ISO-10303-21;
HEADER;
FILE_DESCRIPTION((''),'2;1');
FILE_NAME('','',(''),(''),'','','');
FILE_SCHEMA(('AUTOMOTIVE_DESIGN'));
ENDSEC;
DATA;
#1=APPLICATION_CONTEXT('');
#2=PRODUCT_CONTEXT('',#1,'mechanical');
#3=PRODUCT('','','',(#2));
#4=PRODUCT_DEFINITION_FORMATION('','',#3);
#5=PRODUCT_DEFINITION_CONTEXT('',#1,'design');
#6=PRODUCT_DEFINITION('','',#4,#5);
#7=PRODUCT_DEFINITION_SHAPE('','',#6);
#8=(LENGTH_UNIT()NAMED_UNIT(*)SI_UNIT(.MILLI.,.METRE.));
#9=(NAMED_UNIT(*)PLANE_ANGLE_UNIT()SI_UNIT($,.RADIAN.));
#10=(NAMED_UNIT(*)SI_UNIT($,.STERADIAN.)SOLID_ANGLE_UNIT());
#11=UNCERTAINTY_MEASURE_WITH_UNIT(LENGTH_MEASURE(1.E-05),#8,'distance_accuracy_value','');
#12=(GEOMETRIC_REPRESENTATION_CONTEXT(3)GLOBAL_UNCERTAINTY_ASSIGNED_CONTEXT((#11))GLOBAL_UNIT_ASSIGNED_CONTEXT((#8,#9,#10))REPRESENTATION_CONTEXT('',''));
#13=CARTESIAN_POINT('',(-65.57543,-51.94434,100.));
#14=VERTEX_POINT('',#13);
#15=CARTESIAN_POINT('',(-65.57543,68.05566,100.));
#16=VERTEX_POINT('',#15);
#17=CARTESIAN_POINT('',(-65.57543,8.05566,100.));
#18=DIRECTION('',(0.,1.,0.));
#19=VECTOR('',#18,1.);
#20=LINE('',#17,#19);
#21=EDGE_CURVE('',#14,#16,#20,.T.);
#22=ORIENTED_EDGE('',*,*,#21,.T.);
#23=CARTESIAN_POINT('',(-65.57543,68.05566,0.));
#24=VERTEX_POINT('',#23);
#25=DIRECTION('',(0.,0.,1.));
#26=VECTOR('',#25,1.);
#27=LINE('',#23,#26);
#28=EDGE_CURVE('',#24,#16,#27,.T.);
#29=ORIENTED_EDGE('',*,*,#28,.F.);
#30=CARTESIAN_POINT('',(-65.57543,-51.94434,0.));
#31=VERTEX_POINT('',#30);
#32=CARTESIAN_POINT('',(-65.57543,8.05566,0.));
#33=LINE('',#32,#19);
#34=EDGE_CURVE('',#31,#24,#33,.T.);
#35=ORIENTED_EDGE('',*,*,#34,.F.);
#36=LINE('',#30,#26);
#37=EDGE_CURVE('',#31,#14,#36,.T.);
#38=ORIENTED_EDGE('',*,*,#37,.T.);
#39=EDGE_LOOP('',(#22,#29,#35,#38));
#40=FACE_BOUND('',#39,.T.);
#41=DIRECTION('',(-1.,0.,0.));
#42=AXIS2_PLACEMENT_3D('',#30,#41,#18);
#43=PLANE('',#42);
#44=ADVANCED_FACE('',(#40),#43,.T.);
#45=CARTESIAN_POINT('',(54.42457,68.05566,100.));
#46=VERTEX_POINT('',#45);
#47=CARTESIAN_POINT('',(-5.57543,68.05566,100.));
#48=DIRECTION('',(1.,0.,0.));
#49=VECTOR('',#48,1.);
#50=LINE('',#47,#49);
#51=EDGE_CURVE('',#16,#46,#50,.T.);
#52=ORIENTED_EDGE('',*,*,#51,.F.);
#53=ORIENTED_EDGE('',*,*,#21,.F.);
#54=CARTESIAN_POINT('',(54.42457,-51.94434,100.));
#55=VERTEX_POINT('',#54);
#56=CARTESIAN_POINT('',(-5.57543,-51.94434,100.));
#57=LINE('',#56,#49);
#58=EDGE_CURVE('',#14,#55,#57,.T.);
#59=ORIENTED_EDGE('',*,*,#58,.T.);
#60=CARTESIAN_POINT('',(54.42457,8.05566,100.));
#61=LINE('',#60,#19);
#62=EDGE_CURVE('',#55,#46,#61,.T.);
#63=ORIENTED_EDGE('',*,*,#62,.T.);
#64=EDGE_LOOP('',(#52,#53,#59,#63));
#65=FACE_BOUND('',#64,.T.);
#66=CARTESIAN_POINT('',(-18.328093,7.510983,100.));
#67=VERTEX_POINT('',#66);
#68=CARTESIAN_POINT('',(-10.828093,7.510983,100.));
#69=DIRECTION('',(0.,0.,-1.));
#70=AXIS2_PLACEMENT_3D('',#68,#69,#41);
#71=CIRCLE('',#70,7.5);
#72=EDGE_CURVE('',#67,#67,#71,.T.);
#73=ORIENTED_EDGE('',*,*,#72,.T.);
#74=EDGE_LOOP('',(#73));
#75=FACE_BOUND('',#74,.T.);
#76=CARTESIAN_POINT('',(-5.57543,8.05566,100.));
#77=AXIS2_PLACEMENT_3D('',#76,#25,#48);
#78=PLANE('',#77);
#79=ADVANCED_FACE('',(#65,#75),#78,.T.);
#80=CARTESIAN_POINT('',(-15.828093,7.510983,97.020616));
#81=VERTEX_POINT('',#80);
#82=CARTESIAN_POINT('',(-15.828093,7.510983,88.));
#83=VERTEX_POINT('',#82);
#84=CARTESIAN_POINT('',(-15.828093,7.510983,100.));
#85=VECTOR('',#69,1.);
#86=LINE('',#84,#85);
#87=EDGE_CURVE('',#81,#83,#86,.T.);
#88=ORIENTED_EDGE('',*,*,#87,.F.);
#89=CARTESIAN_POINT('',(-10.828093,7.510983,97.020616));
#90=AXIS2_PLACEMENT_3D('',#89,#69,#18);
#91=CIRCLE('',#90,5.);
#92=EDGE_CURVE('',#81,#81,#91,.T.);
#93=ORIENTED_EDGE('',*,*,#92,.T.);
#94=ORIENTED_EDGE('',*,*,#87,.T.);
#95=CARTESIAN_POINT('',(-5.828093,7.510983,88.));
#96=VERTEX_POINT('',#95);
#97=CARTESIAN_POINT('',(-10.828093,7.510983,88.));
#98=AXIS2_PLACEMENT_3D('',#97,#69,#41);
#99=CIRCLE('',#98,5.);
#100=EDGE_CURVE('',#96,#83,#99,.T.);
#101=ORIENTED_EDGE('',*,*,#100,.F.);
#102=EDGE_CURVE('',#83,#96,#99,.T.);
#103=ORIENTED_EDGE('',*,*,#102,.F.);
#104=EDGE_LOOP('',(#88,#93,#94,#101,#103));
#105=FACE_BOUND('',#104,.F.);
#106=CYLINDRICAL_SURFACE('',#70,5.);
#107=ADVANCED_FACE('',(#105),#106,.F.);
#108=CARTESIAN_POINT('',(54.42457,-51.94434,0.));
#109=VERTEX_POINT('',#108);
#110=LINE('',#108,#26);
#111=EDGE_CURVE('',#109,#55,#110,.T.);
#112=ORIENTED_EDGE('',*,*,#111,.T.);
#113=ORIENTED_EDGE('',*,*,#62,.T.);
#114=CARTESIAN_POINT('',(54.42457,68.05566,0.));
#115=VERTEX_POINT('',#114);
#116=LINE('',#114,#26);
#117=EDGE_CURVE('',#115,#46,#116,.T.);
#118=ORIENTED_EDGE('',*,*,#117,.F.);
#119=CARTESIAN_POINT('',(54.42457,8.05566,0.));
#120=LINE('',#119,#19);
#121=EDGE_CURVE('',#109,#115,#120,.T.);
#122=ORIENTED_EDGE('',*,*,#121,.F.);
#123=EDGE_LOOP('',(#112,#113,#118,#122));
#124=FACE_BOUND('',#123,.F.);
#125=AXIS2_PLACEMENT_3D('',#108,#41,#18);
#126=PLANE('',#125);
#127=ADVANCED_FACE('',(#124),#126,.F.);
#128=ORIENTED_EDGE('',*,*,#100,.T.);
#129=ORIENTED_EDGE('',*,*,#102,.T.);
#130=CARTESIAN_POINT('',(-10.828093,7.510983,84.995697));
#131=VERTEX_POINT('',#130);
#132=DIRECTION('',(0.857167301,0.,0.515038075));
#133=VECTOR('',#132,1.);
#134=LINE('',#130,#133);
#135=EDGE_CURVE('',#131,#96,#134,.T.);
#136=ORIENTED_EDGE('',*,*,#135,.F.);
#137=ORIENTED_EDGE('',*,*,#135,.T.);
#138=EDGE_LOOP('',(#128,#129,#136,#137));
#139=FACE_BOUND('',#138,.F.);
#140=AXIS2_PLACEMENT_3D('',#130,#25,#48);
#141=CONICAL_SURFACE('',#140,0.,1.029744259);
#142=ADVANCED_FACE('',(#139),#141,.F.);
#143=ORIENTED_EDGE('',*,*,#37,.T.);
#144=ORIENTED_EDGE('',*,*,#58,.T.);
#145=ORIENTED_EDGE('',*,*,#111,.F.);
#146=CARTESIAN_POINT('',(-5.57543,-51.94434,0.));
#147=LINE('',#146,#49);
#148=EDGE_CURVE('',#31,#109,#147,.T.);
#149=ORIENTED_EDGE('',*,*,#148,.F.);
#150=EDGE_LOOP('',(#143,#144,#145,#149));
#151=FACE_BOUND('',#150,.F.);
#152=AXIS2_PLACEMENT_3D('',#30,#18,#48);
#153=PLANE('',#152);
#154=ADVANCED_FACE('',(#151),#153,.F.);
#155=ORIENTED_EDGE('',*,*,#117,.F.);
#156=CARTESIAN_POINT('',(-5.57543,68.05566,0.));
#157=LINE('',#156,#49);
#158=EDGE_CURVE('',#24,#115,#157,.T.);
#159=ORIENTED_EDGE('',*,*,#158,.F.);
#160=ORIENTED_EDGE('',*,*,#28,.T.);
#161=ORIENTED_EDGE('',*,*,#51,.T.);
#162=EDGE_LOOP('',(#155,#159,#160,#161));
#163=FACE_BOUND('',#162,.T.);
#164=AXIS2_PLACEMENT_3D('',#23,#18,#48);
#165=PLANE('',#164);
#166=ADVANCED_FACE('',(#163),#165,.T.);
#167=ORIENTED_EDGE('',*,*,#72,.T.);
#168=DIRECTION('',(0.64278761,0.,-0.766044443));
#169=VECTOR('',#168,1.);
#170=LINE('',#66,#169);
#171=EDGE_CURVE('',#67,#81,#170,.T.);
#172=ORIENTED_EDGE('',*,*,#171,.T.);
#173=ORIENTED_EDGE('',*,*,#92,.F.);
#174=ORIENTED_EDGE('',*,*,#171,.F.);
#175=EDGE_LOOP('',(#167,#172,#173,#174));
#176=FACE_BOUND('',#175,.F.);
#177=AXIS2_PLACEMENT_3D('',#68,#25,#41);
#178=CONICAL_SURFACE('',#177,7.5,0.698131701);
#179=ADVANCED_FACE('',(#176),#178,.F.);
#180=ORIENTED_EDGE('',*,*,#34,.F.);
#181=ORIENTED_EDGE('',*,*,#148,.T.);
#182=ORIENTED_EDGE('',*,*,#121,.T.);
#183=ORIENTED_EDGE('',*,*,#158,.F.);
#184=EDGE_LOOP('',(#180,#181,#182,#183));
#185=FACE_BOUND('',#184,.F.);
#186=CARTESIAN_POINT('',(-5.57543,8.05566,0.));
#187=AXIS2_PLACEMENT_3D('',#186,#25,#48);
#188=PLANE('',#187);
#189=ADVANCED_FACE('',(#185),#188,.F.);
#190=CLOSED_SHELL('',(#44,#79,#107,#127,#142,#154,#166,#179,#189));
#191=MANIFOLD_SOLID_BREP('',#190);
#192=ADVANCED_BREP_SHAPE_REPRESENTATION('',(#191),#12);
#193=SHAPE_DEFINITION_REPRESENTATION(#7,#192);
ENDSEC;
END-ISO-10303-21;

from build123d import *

# Parameters (mm, degrees)
F0_W           = 120
F0_H           = 120
F1_DEPTH       = 100
F3_D           = 10
F3_DEPTH       = 12
F3_CSINK_D     = 15
F3_CSINK_ANGLE = 80
F3_TIP         = 3.0043030951


with BuildPart() as f1:
    # F0 (on Top) → F1 (new body)
    with BuildSketch(Plane.XY):
        with Locations((-5.5754296482, 8.0556598505)):
            Rectangle(F0_W, F0_H)
    extrude(amount=F1_DEPTH)

    # F3
    with Locations(Plane.XY.offset(100)):
        with Locations((-10.8280926943, 7.5109833851)):
            CounterSinkHole(F3_D / 2, F3_CSINK_D / 2, depth=F3_DEPTH, counter_sink_angle=F3_CSINK_ANGLE)
            with Locations((0, 0, -(F3_DEPTH + F3_TIP / 2))):  # 118° drill point
                Cone(0, F3_D / 2, F3_TIP, mode=Mode.SUBTRACT)


solid = f1.part
